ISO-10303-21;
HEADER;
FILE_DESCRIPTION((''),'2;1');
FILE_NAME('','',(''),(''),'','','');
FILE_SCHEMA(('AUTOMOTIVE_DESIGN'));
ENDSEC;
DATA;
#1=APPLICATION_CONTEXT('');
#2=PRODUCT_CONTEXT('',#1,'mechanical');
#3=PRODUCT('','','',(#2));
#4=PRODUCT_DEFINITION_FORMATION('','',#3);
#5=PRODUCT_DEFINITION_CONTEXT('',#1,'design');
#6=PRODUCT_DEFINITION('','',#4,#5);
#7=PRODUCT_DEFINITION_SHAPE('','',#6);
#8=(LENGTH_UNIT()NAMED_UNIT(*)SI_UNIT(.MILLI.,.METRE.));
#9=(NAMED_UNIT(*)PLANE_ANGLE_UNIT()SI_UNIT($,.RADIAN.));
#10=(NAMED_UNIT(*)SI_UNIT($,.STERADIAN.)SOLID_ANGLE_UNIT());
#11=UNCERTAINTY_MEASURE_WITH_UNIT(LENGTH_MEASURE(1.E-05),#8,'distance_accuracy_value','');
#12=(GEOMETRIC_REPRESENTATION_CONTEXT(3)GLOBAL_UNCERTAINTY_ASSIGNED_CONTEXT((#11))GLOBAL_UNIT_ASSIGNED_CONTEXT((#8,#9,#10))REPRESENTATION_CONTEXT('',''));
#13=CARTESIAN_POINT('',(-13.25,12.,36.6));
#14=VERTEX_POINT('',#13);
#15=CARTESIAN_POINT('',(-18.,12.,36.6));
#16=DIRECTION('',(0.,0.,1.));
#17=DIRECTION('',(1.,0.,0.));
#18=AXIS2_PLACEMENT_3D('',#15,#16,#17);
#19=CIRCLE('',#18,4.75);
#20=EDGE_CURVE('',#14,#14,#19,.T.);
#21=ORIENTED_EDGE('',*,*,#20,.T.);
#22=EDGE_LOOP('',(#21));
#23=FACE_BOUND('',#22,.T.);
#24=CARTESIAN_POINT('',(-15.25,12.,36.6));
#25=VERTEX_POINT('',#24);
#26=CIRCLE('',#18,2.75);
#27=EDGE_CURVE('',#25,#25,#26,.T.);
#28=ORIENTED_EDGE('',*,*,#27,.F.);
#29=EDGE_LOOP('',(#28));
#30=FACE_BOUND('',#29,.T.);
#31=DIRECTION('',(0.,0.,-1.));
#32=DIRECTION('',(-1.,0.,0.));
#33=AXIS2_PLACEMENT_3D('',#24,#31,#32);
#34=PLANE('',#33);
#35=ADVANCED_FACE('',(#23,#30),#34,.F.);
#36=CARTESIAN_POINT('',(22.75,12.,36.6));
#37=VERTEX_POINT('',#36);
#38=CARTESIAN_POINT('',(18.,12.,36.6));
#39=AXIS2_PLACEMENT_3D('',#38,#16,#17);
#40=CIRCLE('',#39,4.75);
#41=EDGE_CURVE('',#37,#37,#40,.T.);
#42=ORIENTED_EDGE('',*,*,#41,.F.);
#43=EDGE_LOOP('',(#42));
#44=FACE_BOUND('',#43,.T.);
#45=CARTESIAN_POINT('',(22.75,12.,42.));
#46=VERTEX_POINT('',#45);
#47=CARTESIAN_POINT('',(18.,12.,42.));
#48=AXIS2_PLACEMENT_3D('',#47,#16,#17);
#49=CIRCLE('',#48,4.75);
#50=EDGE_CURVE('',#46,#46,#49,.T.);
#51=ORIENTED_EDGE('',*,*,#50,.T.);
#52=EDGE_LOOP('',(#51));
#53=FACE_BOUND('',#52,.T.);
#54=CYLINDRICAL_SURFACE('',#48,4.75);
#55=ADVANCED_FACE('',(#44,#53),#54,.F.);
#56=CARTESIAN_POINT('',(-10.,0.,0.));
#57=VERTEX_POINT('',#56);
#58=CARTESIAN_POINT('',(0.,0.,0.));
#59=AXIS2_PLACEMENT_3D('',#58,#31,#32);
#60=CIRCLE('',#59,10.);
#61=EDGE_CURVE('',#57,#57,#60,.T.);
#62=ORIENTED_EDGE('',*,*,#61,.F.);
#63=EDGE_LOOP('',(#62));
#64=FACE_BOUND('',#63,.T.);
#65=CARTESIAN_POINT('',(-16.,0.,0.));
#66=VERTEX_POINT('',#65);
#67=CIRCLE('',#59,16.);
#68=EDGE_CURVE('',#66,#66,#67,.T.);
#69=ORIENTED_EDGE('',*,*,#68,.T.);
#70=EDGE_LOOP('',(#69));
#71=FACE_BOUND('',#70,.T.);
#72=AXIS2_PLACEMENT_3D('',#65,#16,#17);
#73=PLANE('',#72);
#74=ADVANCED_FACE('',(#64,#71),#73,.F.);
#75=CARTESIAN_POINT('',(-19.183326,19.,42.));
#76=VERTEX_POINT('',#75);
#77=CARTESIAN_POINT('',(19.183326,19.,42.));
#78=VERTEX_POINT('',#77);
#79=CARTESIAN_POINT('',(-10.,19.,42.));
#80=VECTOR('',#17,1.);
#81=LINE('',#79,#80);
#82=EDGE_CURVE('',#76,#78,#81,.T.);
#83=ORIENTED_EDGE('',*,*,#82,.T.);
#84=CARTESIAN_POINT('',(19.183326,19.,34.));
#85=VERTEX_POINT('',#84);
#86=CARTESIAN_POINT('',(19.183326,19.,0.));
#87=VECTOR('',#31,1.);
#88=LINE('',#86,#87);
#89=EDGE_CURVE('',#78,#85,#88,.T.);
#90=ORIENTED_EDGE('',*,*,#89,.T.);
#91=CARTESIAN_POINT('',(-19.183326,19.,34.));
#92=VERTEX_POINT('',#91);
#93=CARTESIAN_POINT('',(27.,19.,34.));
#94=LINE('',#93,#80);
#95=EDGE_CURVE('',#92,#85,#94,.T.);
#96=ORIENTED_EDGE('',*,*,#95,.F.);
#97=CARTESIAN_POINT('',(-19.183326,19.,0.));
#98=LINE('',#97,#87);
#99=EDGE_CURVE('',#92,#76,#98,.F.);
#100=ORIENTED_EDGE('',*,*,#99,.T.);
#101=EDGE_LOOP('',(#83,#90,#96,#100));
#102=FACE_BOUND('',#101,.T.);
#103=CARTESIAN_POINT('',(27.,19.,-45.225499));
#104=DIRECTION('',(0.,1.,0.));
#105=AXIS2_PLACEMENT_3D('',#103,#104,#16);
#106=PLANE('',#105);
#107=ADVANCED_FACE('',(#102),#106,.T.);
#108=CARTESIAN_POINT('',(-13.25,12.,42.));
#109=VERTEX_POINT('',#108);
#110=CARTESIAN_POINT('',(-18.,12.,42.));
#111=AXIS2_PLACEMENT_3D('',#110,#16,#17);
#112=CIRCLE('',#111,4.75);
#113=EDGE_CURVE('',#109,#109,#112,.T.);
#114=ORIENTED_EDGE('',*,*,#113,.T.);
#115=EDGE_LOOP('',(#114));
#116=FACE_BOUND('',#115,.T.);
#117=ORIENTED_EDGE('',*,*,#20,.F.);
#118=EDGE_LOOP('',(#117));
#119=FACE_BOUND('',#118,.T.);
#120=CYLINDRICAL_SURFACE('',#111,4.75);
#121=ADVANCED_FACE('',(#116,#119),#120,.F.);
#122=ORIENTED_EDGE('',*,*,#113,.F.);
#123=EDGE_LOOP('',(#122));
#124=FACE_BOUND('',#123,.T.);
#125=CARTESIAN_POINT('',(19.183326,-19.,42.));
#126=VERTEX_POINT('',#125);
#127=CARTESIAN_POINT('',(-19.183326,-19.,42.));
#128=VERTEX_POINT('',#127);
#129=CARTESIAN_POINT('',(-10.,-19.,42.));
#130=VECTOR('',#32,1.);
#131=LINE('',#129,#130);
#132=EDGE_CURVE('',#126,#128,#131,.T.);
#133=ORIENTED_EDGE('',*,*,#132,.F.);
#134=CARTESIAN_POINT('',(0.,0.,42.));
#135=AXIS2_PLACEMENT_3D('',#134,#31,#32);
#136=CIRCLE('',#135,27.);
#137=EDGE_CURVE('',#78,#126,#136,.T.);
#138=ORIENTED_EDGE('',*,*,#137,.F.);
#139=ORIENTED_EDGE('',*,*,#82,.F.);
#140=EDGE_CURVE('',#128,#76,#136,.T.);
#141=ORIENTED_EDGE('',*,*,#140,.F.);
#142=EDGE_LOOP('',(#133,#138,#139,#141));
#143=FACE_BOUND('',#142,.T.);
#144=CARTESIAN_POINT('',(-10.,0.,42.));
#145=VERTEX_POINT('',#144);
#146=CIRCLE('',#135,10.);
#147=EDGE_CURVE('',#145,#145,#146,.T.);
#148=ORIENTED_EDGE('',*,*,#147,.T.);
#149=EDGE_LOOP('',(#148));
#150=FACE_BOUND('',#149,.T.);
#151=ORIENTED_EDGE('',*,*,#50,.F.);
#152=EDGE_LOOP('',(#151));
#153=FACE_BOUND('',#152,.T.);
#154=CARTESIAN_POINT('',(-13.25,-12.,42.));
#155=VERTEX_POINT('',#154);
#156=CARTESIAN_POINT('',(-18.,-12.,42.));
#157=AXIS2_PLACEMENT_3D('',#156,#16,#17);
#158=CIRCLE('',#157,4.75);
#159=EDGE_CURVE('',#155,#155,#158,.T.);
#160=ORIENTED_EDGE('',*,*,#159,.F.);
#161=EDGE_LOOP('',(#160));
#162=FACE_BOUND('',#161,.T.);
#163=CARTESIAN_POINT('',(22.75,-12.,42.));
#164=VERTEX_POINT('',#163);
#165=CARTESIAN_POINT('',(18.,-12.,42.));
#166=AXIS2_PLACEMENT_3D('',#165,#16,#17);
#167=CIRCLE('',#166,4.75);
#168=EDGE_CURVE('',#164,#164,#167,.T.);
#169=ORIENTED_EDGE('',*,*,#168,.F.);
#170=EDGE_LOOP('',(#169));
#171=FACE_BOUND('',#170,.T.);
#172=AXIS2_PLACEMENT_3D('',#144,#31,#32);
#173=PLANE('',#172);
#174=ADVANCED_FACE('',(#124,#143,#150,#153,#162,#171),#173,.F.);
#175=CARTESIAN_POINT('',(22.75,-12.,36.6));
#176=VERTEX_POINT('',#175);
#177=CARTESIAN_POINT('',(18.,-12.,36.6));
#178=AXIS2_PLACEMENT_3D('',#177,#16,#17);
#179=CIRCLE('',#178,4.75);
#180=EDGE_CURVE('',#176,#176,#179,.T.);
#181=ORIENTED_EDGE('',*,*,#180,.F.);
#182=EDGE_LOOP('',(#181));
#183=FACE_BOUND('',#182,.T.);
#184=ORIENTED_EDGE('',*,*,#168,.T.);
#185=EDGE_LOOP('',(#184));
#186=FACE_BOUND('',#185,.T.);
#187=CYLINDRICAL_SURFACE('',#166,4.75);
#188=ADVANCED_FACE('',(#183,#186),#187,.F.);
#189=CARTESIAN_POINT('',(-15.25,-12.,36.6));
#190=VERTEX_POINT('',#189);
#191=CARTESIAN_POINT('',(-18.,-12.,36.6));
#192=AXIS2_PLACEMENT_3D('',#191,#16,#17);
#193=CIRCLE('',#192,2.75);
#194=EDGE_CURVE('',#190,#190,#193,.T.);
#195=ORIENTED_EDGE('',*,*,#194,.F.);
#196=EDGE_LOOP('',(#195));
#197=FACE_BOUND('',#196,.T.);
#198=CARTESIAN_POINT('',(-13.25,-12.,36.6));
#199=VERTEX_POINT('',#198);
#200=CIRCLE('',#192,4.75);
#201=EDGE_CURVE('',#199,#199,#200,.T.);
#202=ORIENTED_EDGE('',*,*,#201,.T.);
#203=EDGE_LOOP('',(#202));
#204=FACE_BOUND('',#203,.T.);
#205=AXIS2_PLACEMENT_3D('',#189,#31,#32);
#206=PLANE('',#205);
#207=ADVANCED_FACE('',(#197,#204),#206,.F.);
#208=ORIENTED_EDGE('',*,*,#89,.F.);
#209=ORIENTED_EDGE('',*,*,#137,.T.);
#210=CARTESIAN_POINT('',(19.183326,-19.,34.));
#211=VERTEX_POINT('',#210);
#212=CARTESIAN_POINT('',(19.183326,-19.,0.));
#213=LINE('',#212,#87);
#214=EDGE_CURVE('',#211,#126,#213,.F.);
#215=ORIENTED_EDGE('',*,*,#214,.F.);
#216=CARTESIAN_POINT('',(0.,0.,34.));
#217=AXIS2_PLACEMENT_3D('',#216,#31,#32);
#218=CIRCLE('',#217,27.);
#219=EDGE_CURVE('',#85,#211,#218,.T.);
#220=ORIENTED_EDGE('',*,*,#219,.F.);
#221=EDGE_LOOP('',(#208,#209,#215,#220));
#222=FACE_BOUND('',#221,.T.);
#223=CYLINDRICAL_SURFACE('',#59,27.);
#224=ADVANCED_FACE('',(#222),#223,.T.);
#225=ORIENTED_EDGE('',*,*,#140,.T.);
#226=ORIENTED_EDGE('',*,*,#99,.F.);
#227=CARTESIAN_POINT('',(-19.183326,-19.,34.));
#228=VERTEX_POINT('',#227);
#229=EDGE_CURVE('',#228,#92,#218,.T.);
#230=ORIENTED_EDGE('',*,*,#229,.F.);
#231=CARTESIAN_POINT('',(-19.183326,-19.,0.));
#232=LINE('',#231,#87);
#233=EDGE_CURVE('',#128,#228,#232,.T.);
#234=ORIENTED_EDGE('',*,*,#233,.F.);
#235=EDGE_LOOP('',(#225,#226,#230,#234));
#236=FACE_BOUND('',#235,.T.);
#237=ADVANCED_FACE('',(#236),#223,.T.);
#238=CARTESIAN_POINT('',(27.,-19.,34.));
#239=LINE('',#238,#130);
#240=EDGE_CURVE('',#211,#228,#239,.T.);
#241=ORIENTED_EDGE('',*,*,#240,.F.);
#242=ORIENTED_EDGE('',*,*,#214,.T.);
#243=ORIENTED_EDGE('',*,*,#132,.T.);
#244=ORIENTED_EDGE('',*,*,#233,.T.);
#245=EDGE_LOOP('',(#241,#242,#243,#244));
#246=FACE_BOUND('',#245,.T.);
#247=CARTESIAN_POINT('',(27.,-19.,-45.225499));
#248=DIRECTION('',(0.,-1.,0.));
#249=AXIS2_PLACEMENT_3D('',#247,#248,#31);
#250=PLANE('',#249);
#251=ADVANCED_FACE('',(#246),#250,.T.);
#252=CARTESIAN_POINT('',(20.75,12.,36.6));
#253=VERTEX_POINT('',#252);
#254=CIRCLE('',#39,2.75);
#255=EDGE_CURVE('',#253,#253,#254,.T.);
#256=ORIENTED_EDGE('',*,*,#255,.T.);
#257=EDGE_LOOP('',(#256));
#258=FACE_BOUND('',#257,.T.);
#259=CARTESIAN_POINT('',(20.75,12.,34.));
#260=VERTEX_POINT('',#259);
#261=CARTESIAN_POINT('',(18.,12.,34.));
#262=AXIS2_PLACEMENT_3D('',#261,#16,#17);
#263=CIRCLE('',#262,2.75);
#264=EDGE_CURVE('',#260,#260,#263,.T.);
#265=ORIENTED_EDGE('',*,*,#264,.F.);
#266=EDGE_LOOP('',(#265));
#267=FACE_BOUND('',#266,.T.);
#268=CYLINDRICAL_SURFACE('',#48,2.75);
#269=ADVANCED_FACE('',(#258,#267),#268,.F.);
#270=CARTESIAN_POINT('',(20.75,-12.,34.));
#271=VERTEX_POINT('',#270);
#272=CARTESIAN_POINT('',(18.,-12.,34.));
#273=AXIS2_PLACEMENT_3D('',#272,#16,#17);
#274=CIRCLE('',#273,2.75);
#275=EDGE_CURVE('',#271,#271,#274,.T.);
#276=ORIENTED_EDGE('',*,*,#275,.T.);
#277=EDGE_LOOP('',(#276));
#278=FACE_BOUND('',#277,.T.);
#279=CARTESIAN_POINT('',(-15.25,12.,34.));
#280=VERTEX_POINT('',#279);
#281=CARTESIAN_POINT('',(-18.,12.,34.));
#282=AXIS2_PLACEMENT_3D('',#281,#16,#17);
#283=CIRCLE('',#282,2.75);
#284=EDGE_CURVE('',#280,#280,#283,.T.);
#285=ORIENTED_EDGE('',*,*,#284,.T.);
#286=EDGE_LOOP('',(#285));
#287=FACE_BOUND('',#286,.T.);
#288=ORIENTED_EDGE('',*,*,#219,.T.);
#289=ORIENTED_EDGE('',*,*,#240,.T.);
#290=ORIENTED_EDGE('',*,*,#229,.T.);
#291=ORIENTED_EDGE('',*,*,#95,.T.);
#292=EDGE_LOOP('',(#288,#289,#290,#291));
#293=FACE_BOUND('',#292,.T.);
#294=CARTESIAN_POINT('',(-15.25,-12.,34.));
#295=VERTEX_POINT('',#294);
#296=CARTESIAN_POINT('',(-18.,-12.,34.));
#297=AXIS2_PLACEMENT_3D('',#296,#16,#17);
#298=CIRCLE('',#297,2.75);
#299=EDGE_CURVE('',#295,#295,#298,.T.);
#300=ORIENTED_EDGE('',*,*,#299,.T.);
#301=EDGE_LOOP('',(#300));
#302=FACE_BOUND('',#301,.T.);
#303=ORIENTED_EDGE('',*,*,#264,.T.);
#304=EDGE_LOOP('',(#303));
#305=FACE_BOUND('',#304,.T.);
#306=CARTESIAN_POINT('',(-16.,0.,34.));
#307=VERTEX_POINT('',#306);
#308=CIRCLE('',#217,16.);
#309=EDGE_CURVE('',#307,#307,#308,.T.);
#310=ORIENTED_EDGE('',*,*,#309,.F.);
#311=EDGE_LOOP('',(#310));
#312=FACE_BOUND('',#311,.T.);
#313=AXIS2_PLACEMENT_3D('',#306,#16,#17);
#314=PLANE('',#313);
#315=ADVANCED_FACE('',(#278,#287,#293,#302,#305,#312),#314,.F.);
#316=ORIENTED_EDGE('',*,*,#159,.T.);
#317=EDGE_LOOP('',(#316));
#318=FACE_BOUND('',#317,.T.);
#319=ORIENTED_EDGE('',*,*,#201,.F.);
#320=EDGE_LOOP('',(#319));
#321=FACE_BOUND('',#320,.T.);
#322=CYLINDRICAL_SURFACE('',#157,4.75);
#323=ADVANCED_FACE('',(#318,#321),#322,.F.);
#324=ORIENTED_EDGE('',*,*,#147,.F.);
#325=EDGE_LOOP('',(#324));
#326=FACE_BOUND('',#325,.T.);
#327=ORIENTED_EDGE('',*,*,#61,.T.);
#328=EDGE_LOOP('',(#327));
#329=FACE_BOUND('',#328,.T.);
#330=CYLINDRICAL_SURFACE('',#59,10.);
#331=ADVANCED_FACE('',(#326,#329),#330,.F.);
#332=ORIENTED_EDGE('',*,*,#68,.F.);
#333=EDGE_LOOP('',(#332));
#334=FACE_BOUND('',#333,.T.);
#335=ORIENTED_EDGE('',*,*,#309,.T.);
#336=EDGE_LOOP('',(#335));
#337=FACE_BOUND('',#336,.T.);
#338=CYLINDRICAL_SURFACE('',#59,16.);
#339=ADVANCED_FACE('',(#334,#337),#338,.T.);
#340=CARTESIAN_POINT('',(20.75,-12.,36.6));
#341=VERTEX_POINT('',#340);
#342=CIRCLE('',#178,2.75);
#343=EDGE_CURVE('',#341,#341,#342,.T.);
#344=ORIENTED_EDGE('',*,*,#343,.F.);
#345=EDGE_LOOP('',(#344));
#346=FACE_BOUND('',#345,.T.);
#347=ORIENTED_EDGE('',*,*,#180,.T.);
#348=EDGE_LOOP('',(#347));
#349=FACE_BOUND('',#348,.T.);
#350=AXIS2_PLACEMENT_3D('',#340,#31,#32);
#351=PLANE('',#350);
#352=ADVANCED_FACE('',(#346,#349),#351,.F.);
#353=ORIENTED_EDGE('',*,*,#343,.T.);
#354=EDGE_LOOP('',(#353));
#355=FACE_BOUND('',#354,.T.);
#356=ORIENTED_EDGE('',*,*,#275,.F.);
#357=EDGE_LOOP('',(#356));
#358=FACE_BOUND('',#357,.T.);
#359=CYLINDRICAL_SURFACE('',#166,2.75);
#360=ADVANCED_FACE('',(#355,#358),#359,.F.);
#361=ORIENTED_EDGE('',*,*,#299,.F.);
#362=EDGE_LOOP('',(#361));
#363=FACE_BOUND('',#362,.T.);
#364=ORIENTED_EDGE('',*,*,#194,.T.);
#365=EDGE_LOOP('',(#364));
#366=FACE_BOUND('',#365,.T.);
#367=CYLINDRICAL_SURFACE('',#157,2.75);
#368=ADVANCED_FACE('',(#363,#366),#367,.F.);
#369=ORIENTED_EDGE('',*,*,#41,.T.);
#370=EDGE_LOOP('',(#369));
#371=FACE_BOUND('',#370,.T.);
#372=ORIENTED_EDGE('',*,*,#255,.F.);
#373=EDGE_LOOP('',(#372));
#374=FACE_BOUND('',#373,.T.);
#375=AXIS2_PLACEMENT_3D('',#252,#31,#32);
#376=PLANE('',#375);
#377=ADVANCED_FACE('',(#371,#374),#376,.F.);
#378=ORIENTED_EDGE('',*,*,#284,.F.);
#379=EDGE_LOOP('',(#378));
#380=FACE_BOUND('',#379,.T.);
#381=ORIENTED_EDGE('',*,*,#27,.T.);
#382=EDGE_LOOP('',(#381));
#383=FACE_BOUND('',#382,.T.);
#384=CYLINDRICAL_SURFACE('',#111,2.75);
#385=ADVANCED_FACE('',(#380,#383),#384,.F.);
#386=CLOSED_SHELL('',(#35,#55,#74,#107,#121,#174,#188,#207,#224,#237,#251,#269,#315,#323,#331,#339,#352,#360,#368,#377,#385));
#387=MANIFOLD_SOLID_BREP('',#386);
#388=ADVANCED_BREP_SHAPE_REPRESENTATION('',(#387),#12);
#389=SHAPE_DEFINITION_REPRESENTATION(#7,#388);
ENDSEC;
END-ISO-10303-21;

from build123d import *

# Parameters (mm, degrees)
SKETCH_2_OUTSIDE_W        = 73.432
SKETCH_2_OUTSIDE_H        = 73.432
SKETCH_2_OUTSIDE_W_2      = 54
SKETCH_2_OUTSIDE_H_2      = 38
CUT_EXTRUDE_1_DEPTH       = 8
HOLE_WIZARD_1_D           = 5.5
HOLE_WIZARD_1_DEPTH       = 8
HOLE_WIZARD_1_CBORE_D     = 9.5
HOLE_WIZARD_1_CBORE_DEPTH = 5.4


with BuildPart() as part:
    # 草图1 → 旋转1 (revolve)
    with BuildSketch(Plane(origin=(0, 0, 0), x_dir=(0, 0, 1), z_dir=(0, -1, 0))):
        Polygon((0, 10), (42, 10), (42, 27), (34, 27), (34, 16), (0, 16), align=None)
    revolve(axis=Axis((0, 0, 0), (0, 0, 1)))

    # 草图2 outside → 切除-拉伸1 (cut)
    with BuildSketch(Plane.XY.offset(42)):
        Rectangle(SKETCH_2_OUTSIDE_W, SKETCH_2_OUTSIDE_H)
        Rectangle(SKETCH_2_OUTSIDE_W_2, SKETCH_2_OUTSIDE_H_2, mode=Mode.SUBTRACT)
    extrude(amount=-CUT_EXTRUDE_1_DEPTH, mode=Mode.SUBTRACT)

    # 孔1
    with Locations(Plane.XY.offset(42)):
        with Locations((-18, -12), (-18, 12), (18, 12), (18, -12), (0, 0)):
            CounterBoreHole(HOLE_WIZARD_1_D / 2, HOLE_WIZARD_1_CBORE_D / 2, HOLE_WIZARD_1_CBORE_DEPTH, depth=HOLE_WIZARD_1_DEPTH)


solid = part.part
